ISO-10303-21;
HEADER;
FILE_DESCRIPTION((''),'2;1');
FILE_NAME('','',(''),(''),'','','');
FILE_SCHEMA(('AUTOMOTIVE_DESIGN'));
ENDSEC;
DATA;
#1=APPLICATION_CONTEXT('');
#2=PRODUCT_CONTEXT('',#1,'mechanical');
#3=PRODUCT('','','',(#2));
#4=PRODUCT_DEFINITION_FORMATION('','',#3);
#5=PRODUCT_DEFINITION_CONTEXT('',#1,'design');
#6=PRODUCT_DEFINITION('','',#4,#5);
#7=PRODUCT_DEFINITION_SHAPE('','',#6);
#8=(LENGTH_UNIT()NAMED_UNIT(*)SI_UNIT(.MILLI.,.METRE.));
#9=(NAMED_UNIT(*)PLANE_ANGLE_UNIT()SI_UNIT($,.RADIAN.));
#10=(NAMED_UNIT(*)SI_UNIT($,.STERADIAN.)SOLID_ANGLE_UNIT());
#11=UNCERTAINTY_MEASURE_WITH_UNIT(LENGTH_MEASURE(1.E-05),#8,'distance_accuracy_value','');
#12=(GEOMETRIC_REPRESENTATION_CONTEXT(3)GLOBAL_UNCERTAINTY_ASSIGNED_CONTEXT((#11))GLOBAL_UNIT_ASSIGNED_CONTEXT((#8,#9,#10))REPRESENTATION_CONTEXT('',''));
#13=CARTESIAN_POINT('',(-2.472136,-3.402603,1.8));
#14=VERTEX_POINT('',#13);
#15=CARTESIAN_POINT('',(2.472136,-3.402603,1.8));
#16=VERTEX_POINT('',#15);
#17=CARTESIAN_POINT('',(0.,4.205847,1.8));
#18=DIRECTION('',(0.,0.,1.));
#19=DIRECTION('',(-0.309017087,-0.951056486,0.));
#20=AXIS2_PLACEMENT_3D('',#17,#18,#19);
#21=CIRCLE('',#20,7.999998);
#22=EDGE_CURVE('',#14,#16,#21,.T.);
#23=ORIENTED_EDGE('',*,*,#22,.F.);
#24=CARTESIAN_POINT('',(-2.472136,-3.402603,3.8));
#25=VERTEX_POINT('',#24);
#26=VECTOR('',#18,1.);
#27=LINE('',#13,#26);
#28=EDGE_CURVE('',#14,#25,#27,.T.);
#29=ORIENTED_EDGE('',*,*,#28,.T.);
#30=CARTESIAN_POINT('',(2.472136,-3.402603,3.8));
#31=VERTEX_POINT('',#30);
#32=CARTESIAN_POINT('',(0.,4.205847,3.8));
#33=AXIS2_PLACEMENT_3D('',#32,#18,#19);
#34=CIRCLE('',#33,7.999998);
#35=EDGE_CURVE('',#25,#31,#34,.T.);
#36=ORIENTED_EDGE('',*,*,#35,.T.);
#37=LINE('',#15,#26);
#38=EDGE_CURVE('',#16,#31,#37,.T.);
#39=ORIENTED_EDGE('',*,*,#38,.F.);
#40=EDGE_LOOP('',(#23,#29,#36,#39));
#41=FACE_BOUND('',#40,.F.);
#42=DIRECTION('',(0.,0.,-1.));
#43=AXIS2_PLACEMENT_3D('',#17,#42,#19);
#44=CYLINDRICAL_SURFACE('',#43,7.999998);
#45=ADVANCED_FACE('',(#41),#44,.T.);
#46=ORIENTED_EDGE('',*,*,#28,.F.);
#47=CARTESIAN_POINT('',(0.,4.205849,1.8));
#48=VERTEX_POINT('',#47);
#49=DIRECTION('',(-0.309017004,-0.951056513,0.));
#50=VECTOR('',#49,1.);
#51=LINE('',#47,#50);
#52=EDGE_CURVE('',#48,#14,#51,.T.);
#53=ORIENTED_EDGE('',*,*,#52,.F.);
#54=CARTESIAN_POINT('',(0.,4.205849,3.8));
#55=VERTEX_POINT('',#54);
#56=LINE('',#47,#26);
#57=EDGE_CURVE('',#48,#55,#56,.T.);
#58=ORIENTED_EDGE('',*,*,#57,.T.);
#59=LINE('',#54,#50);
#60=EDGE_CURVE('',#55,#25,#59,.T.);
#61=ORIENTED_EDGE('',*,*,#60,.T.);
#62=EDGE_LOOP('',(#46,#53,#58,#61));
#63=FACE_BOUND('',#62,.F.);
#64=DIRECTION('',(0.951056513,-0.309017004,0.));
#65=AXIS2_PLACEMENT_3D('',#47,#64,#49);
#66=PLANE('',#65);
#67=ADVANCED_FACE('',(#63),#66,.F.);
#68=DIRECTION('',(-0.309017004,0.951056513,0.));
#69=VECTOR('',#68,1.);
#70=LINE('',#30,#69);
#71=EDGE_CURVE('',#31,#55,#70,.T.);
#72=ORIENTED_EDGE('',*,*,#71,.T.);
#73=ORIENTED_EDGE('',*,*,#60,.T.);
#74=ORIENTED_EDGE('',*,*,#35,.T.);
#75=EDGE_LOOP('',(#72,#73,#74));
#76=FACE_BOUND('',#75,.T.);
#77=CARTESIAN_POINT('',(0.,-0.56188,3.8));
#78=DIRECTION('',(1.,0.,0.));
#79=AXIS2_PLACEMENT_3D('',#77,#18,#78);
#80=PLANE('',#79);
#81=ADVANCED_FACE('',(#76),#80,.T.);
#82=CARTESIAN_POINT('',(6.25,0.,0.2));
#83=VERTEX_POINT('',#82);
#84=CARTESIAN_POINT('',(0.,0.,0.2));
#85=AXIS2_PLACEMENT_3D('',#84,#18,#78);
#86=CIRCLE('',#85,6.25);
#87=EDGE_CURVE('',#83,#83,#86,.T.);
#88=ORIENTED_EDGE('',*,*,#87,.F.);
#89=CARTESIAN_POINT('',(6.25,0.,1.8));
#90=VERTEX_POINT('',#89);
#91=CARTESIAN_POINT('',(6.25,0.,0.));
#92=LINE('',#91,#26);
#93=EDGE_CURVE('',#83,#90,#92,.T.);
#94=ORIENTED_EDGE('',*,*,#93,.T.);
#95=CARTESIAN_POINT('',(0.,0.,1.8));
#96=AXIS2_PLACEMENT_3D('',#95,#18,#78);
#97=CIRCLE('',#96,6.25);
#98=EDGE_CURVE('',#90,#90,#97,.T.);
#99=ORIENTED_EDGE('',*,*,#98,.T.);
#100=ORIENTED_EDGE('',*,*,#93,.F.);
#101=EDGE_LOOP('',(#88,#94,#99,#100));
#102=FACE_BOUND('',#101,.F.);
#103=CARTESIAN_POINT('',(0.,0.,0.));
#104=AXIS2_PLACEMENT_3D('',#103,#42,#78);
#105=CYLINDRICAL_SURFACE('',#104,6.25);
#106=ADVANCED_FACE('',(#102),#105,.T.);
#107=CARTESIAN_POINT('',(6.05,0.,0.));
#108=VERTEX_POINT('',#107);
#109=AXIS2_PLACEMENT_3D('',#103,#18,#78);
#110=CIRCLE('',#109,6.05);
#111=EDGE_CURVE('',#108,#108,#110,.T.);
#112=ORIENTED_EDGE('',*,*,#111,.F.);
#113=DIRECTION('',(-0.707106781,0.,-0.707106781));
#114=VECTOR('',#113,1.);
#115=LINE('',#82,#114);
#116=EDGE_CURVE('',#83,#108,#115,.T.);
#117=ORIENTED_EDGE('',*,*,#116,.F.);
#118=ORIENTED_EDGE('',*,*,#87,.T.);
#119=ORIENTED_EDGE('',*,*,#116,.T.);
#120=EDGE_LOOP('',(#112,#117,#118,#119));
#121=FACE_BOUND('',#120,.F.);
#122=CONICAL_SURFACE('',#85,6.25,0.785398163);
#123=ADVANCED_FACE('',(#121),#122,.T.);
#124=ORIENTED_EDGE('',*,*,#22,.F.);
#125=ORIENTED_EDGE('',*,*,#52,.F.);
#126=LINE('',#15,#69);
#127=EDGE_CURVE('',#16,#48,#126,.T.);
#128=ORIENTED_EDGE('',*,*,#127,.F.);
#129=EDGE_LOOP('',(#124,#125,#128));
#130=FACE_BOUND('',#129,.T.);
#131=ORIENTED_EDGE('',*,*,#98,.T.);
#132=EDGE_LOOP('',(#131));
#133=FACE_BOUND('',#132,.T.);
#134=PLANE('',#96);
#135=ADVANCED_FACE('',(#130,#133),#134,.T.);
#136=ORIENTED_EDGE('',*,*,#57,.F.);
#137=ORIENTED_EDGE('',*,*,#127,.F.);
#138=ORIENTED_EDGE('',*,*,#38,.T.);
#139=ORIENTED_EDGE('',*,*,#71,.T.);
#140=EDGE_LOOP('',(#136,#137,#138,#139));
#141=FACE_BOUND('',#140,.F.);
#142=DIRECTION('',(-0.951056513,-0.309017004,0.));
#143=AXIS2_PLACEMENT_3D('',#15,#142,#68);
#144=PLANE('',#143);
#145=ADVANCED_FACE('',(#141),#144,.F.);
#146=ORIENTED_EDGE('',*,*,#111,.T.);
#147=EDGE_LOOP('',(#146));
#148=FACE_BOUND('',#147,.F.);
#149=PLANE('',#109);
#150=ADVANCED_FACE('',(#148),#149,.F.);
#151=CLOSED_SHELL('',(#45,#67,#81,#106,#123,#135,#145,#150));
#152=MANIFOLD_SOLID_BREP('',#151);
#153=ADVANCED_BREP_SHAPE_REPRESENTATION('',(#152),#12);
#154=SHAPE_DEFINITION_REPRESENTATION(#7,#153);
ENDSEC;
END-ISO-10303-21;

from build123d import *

# Parameters (mm, degrees)
F0_R     = 6.25
F1_DEPTH = 1.8
F3_DEPTH = 2
F4_SIZE  = 0.2


with BuildPart() as f1:
    # F0 (on Top) → F1 (new body)
    with BuildSketch(Plane.XY):
        Circle(F0_R)
    extrude(amount=F1_DEPTH)

    # F2 (on face) → F3 (join)
    with BuildSketch(Plane.XY.offset(1.8)):
        with BuildLine():
            Line((2.472136, -3.402603), (0, 4.205849))
            Line((0, 4.205849), (-2.472136, -3.402603))
            ThreePointArc((-2.472136, -3.402603), (0, -3.794151), (2.472136, -3.402603))
        make_face()
    extrude(amount=F3_DEPTH)

    # F4
    f4_edges = [f1.edges().sort_by_distance(p)[0] for p in [
        (-6.25, 0, 0),
    ]]
    chamfer(f4_edges, length=F4_SIZE)


solid = f1.part
